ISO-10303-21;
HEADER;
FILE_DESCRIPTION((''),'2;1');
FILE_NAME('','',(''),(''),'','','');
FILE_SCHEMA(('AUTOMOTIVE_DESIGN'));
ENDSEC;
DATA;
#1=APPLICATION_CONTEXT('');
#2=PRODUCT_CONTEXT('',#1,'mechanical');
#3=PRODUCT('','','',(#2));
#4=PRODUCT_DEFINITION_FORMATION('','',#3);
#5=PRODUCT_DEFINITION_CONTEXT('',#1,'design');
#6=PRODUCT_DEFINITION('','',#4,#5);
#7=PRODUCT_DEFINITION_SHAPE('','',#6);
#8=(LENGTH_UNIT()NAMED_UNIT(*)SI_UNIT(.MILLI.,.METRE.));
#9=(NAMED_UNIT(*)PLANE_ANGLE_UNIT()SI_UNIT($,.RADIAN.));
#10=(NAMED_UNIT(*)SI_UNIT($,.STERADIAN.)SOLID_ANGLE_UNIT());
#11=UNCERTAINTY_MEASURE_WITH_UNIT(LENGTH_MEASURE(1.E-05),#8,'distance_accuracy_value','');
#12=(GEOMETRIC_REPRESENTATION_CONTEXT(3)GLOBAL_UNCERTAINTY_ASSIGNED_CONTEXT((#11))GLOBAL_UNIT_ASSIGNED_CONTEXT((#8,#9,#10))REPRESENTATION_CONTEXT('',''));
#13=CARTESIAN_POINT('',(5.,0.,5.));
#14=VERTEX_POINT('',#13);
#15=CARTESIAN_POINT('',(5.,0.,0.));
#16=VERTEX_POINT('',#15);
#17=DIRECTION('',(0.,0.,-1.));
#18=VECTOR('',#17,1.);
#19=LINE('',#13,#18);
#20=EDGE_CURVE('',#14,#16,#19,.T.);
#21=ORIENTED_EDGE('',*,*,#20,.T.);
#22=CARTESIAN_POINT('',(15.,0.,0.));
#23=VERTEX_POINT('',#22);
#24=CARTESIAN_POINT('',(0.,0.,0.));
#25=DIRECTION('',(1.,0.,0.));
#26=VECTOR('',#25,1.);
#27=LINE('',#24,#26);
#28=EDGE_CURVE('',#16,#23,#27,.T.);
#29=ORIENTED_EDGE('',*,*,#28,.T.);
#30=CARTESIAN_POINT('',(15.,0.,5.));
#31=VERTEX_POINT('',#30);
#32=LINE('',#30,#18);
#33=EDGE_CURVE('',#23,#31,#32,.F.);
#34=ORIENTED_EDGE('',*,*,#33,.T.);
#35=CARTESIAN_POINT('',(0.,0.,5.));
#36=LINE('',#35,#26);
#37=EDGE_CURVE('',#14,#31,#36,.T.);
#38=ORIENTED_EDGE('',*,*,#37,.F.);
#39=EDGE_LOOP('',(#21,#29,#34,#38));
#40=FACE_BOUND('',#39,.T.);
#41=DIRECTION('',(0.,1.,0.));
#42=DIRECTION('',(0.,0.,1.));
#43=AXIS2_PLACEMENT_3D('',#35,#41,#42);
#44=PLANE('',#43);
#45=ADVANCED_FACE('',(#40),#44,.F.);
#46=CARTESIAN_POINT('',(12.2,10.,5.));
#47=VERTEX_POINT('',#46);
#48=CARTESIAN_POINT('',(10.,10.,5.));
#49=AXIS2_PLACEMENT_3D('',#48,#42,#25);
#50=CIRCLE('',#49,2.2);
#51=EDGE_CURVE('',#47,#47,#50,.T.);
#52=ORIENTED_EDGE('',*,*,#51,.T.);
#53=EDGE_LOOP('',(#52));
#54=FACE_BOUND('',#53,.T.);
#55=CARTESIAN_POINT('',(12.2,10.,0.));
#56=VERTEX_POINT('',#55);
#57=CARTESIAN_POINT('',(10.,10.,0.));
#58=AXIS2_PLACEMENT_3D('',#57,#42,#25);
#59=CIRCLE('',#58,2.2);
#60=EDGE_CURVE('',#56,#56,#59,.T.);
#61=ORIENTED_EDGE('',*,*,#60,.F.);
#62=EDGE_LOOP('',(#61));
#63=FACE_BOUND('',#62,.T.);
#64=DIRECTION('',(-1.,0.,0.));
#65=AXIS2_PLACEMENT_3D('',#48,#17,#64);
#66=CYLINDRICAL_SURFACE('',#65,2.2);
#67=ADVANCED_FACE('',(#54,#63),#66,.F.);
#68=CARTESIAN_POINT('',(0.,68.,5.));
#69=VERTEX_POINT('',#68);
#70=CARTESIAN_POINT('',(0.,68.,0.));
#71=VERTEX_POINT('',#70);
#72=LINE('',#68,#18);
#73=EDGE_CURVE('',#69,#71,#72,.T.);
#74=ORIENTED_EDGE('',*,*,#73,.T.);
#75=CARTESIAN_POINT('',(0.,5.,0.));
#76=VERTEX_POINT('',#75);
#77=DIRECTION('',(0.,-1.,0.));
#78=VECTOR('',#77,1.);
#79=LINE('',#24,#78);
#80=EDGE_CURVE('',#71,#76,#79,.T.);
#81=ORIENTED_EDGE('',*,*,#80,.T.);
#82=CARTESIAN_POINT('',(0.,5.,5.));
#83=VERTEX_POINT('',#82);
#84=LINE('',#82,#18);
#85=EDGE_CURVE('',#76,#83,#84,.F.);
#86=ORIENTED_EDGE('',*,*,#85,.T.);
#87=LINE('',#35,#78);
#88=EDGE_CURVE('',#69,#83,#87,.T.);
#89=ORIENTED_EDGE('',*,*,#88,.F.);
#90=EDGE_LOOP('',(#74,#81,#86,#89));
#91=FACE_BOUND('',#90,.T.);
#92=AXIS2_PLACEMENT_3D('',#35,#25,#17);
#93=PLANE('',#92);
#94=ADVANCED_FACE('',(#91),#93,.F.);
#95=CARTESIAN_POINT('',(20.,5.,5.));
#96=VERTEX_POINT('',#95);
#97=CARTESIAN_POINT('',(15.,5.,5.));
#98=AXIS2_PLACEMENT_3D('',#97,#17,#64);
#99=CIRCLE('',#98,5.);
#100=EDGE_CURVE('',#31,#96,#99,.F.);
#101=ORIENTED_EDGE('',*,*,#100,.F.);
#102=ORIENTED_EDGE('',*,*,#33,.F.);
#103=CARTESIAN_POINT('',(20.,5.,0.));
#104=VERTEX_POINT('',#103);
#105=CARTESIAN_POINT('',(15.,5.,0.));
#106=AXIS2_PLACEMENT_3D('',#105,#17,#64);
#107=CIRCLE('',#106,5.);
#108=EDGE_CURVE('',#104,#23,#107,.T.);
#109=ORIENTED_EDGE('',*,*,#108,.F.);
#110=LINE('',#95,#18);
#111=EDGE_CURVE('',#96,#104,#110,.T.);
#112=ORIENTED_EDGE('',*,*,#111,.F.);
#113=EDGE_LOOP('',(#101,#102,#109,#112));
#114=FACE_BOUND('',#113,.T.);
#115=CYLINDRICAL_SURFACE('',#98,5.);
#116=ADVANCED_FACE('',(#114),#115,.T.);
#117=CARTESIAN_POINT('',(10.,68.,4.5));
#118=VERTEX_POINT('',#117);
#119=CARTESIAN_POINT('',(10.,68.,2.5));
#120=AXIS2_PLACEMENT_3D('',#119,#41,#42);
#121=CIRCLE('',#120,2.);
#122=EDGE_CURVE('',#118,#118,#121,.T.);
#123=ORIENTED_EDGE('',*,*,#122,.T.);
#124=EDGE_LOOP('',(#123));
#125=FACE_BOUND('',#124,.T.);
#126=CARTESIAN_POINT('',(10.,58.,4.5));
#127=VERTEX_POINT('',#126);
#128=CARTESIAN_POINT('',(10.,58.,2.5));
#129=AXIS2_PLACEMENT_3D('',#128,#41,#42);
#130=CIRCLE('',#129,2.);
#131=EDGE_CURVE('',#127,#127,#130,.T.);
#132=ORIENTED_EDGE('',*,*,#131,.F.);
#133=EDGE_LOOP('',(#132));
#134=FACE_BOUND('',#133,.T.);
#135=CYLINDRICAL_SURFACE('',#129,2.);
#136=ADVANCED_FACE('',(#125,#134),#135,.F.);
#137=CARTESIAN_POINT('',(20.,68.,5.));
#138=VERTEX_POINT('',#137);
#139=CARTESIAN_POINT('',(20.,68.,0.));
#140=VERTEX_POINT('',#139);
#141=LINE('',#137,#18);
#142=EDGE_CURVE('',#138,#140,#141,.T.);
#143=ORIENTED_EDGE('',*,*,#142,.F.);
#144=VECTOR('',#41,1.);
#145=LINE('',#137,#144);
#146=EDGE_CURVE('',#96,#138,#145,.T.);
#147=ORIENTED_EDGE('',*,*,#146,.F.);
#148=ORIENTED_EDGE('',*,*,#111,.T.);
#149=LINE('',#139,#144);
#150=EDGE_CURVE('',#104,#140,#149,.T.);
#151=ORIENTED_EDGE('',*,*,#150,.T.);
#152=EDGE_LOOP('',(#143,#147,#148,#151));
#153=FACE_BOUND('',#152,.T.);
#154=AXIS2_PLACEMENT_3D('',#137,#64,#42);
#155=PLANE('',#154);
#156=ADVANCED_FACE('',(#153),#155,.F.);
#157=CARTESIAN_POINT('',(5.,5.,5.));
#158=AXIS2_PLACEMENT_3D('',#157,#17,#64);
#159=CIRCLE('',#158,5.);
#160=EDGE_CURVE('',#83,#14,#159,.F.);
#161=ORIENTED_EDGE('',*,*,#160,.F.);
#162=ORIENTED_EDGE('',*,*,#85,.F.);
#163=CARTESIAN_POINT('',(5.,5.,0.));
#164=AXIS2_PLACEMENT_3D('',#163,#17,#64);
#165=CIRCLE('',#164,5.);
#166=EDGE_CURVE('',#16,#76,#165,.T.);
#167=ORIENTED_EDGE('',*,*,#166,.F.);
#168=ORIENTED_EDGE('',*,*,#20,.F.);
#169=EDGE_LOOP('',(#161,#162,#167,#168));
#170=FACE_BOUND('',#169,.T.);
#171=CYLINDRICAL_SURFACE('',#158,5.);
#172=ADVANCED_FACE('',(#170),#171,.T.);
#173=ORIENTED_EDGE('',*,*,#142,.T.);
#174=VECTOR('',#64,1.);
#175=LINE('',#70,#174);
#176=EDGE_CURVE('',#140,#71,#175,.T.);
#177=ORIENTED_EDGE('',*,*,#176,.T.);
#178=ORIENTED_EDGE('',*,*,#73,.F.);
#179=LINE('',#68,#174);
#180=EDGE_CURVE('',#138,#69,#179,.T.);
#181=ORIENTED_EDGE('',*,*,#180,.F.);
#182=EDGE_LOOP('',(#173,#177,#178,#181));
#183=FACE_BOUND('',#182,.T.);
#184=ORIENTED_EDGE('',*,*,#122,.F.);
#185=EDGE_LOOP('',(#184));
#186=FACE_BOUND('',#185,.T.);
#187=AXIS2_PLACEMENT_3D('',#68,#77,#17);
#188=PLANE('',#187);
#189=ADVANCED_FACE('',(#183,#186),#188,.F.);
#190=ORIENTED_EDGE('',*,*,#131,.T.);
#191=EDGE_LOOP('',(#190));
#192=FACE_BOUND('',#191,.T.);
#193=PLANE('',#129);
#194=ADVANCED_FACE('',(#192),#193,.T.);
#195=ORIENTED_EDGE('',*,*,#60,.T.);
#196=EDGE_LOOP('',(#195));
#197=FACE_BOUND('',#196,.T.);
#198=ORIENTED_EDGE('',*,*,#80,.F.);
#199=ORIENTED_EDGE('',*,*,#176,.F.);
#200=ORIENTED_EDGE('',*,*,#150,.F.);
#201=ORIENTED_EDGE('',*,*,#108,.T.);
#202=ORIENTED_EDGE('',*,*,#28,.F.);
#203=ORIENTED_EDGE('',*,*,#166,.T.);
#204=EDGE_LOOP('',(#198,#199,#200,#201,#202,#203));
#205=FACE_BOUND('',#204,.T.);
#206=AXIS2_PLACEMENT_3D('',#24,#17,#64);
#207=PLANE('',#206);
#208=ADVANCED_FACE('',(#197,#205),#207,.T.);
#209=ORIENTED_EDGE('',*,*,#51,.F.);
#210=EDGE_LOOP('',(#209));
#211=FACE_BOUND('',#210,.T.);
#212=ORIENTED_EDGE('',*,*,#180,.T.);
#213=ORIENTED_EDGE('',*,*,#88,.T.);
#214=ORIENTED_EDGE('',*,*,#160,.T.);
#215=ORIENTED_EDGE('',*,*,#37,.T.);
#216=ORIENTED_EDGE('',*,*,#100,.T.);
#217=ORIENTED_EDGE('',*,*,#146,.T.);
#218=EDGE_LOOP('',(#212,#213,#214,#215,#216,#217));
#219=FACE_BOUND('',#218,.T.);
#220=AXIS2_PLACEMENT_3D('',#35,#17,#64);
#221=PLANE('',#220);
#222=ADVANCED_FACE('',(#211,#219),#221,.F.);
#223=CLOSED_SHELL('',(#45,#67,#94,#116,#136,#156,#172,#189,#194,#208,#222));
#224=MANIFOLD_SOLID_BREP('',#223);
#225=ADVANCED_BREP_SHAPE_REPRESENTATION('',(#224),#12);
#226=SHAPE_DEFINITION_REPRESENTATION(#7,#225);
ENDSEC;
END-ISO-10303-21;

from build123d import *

# Parameters (mm, degrees)
SKETCH_1_W          = 20
SKETCH_1_H          = 68
SKETCH_1_R          = 2.2
EXTRUDE_1_DEPTH     = 5
FILLET_1_R          = 5
SKETCH_2_R          = 2
CUT_EXTRUDE_1_DEPTH = 10


with BuildPart() as part:
    # ｽｹｯﾁ1 → ﾎﾞｽ - 押し出し1 (new body)
    with BuildSketch(Plane.XY):
        with Locations((10, 34)):
            Rectangle(SKETCH_1_W, SKETCH_1_H)
        with Locations((10, 10)):
            Circle(SKETCH_1_R, mode=Mode.SUBTRACT)
    extrude(amount=EXTRUDE_1_DEPTH)

    # ﾌｨﾚｯﾄ1
    fillet_1_edges = [part.edges().sort_by_distance(p)[0] for p in [
        (20, 0, 2.5),
        (0, 0, 2.5),
    ]]
    fillet(fillet_1_edges, radius=FILLET_1_R)

    # ｽｹｯﾁ2 → ｶｯﾄ - 押し出し1 (cut)
    with BuildSketch(Plane(origin=(0, 68, 0), x_dir=(1, 0, 0), z_dir=(0, 1, 0))):
        with Locations(Location((10, -2.5, 0), (0, 0, 270))):
            Circle(SKETCH_2_R)
    extrude(amount=-CUT_EXTRUDE_1_DEPTH, mode=Mode.SUBTRACT)


solid = part.part
